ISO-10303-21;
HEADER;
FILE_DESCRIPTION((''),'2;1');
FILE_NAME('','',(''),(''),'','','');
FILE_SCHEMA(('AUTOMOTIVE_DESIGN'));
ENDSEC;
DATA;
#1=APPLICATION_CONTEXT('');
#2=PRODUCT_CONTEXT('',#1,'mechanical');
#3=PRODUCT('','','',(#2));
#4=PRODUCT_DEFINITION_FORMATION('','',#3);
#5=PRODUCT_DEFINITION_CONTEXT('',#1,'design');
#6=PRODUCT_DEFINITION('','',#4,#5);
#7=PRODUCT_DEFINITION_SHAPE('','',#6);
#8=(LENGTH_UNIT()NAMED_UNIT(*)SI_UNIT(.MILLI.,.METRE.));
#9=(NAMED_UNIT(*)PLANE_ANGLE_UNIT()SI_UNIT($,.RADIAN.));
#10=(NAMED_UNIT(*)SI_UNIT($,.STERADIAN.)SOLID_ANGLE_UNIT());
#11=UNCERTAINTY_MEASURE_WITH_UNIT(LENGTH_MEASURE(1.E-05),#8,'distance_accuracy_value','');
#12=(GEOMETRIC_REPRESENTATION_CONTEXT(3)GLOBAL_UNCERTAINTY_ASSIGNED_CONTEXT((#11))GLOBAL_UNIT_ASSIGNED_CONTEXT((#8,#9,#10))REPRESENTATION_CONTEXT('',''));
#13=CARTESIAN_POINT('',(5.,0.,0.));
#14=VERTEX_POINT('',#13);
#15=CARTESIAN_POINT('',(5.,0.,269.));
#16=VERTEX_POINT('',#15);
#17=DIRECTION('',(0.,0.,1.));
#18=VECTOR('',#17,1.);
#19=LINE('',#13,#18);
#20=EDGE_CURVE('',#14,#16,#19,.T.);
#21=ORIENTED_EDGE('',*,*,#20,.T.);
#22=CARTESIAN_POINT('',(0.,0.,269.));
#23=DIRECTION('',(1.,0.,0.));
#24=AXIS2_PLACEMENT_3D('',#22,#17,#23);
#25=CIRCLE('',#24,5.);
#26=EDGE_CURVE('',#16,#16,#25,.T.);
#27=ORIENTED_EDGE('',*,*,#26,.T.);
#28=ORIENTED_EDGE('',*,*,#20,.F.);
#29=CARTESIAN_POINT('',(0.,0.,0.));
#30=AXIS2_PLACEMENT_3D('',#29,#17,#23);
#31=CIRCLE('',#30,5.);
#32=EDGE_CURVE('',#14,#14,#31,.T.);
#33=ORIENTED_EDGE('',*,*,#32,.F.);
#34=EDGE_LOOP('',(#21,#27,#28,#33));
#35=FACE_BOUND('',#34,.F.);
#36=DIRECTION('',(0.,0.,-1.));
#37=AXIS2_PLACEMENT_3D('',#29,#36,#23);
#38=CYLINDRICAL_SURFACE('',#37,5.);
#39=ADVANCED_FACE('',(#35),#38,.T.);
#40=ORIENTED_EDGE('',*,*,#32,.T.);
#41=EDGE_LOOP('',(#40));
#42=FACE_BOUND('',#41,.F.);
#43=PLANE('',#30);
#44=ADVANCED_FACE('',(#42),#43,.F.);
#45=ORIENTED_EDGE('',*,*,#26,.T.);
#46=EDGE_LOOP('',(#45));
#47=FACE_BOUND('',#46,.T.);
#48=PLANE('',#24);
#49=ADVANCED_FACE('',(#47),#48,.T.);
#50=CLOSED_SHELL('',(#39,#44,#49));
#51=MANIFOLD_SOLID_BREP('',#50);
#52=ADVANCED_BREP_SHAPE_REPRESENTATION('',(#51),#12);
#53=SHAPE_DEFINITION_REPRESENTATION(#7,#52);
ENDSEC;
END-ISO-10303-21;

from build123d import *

# Parameters (mm, degrees)
SKETCH1_R           = 5
BOSS_EXTRUDE1_DEPTH = 269


with BuildPart() as part:
    # Sketch1 → Boss-Extrude1 (new body)
    with BuildSketch(Plane.XY):
        Circle(SKETCH1_R)
    extrude(amount=BOSS_EXTRUDE1_DEPTH)


solid = part.part
